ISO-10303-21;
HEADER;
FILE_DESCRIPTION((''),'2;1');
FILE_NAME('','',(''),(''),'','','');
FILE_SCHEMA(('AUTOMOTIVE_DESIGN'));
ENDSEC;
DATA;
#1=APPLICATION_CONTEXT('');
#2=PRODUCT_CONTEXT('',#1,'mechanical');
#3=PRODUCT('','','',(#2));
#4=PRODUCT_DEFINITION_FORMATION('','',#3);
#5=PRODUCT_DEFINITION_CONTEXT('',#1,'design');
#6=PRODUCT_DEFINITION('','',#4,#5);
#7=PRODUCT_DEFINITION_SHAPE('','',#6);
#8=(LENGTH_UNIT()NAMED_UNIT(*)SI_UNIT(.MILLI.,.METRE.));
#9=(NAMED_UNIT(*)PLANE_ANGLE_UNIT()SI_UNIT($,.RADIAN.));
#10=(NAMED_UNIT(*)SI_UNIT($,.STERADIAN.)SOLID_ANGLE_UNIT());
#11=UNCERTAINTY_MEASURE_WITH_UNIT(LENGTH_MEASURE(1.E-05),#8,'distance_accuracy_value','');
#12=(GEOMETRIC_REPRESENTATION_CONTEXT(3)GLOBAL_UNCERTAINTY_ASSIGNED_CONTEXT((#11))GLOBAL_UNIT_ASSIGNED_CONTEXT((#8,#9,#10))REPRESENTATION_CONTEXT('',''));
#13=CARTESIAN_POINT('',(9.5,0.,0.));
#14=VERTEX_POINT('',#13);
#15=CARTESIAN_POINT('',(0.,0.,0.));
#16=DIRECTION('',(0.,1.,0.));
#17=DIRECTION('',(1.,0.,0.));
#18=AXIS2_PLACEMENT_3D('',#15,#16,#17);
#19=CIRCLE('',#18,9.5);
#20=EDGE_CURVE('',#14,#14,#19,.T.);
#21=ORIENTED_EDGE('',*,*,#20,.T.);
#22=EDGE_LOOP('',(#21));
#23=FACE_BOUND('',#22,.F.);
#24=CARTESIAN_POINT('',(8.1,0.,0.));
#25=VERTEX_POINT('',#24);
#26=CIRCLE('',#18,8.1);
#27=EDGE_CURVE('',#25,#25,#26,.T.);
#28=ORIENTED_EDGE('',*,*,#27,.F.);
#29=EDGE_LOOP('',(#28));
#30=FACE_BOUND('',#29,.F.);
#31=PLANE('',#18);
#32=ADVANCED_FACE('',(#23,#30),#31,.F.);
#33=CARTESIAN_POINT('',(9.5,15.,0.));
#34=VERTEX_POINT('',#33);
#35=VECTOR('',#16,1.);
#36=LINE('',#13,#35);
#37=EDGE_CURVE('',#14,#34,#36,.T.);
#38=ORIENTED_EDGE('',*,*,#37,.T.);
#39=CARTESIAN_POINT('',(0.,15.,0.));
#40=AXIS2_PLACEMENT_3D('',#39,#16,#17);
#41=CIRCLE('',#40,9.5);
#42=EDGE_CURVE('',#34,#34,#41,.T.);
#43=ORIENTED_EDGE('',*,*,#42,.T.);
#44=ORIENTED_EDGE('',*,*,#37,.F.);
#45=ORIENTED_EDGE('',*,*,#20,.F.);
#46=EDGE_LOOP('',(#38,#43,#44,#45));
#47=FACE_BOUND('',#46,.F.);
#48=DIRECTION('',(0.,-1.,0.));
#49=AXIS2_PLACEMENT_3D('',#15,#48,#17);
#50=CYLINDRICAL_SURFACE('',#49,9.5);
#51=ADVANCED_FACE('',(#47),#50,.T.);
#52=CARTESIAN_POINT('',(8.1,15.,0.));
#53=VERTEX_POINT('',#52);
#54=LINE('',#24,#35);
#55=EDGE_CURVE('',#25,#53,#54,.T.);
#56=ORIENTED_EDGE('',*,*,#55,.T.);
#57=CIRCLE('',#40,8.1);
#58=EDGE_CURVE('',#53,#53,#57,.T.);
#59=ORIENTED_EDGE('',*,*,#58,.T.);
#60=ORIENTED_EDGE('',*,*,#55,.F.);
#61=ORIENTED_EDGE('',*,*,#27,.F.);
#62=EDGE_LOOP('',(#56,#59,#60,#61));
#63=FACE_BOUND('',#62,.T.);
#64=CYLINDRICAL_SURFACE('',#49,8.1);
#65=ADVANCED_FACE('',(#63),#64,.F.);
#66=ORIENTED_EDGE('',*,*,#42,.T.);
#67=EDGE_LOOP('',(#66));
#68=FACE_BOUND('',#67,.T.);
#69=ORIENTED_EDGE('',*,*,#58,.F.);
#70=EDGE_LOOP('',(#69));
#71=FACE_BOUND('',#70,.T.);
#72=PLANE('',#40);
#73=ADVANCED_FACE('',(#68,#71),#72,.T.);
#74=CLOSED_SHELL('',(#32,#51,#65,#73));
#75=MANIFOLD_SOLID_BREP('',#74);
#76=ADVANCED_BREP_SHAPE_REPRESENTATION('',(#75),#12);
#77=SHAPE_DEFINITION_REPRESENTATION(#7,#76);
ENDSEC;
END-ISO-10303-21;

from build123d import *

# Parameters (mm, degrees)
SKETCH1_R      = 9.5
SKETCH1_R_2    = 8.1
EXTRUDE1_DEPTH = 15


with BuildPart() as part:
    # Sketch1 → Extrude1 (new body)
    with BuildSketch(Plane(origin=(0, 0, 0), x_dir=(1, 0, 0), z_dir=(0, 1, 0))):
        Circle(SKETCH1_R)
        Circle(SKETCH1_R_2, mode=Mode.SUBTRACT)
    extrude(amount=EXTRUDE1_DEPTH)


solid = part.part
